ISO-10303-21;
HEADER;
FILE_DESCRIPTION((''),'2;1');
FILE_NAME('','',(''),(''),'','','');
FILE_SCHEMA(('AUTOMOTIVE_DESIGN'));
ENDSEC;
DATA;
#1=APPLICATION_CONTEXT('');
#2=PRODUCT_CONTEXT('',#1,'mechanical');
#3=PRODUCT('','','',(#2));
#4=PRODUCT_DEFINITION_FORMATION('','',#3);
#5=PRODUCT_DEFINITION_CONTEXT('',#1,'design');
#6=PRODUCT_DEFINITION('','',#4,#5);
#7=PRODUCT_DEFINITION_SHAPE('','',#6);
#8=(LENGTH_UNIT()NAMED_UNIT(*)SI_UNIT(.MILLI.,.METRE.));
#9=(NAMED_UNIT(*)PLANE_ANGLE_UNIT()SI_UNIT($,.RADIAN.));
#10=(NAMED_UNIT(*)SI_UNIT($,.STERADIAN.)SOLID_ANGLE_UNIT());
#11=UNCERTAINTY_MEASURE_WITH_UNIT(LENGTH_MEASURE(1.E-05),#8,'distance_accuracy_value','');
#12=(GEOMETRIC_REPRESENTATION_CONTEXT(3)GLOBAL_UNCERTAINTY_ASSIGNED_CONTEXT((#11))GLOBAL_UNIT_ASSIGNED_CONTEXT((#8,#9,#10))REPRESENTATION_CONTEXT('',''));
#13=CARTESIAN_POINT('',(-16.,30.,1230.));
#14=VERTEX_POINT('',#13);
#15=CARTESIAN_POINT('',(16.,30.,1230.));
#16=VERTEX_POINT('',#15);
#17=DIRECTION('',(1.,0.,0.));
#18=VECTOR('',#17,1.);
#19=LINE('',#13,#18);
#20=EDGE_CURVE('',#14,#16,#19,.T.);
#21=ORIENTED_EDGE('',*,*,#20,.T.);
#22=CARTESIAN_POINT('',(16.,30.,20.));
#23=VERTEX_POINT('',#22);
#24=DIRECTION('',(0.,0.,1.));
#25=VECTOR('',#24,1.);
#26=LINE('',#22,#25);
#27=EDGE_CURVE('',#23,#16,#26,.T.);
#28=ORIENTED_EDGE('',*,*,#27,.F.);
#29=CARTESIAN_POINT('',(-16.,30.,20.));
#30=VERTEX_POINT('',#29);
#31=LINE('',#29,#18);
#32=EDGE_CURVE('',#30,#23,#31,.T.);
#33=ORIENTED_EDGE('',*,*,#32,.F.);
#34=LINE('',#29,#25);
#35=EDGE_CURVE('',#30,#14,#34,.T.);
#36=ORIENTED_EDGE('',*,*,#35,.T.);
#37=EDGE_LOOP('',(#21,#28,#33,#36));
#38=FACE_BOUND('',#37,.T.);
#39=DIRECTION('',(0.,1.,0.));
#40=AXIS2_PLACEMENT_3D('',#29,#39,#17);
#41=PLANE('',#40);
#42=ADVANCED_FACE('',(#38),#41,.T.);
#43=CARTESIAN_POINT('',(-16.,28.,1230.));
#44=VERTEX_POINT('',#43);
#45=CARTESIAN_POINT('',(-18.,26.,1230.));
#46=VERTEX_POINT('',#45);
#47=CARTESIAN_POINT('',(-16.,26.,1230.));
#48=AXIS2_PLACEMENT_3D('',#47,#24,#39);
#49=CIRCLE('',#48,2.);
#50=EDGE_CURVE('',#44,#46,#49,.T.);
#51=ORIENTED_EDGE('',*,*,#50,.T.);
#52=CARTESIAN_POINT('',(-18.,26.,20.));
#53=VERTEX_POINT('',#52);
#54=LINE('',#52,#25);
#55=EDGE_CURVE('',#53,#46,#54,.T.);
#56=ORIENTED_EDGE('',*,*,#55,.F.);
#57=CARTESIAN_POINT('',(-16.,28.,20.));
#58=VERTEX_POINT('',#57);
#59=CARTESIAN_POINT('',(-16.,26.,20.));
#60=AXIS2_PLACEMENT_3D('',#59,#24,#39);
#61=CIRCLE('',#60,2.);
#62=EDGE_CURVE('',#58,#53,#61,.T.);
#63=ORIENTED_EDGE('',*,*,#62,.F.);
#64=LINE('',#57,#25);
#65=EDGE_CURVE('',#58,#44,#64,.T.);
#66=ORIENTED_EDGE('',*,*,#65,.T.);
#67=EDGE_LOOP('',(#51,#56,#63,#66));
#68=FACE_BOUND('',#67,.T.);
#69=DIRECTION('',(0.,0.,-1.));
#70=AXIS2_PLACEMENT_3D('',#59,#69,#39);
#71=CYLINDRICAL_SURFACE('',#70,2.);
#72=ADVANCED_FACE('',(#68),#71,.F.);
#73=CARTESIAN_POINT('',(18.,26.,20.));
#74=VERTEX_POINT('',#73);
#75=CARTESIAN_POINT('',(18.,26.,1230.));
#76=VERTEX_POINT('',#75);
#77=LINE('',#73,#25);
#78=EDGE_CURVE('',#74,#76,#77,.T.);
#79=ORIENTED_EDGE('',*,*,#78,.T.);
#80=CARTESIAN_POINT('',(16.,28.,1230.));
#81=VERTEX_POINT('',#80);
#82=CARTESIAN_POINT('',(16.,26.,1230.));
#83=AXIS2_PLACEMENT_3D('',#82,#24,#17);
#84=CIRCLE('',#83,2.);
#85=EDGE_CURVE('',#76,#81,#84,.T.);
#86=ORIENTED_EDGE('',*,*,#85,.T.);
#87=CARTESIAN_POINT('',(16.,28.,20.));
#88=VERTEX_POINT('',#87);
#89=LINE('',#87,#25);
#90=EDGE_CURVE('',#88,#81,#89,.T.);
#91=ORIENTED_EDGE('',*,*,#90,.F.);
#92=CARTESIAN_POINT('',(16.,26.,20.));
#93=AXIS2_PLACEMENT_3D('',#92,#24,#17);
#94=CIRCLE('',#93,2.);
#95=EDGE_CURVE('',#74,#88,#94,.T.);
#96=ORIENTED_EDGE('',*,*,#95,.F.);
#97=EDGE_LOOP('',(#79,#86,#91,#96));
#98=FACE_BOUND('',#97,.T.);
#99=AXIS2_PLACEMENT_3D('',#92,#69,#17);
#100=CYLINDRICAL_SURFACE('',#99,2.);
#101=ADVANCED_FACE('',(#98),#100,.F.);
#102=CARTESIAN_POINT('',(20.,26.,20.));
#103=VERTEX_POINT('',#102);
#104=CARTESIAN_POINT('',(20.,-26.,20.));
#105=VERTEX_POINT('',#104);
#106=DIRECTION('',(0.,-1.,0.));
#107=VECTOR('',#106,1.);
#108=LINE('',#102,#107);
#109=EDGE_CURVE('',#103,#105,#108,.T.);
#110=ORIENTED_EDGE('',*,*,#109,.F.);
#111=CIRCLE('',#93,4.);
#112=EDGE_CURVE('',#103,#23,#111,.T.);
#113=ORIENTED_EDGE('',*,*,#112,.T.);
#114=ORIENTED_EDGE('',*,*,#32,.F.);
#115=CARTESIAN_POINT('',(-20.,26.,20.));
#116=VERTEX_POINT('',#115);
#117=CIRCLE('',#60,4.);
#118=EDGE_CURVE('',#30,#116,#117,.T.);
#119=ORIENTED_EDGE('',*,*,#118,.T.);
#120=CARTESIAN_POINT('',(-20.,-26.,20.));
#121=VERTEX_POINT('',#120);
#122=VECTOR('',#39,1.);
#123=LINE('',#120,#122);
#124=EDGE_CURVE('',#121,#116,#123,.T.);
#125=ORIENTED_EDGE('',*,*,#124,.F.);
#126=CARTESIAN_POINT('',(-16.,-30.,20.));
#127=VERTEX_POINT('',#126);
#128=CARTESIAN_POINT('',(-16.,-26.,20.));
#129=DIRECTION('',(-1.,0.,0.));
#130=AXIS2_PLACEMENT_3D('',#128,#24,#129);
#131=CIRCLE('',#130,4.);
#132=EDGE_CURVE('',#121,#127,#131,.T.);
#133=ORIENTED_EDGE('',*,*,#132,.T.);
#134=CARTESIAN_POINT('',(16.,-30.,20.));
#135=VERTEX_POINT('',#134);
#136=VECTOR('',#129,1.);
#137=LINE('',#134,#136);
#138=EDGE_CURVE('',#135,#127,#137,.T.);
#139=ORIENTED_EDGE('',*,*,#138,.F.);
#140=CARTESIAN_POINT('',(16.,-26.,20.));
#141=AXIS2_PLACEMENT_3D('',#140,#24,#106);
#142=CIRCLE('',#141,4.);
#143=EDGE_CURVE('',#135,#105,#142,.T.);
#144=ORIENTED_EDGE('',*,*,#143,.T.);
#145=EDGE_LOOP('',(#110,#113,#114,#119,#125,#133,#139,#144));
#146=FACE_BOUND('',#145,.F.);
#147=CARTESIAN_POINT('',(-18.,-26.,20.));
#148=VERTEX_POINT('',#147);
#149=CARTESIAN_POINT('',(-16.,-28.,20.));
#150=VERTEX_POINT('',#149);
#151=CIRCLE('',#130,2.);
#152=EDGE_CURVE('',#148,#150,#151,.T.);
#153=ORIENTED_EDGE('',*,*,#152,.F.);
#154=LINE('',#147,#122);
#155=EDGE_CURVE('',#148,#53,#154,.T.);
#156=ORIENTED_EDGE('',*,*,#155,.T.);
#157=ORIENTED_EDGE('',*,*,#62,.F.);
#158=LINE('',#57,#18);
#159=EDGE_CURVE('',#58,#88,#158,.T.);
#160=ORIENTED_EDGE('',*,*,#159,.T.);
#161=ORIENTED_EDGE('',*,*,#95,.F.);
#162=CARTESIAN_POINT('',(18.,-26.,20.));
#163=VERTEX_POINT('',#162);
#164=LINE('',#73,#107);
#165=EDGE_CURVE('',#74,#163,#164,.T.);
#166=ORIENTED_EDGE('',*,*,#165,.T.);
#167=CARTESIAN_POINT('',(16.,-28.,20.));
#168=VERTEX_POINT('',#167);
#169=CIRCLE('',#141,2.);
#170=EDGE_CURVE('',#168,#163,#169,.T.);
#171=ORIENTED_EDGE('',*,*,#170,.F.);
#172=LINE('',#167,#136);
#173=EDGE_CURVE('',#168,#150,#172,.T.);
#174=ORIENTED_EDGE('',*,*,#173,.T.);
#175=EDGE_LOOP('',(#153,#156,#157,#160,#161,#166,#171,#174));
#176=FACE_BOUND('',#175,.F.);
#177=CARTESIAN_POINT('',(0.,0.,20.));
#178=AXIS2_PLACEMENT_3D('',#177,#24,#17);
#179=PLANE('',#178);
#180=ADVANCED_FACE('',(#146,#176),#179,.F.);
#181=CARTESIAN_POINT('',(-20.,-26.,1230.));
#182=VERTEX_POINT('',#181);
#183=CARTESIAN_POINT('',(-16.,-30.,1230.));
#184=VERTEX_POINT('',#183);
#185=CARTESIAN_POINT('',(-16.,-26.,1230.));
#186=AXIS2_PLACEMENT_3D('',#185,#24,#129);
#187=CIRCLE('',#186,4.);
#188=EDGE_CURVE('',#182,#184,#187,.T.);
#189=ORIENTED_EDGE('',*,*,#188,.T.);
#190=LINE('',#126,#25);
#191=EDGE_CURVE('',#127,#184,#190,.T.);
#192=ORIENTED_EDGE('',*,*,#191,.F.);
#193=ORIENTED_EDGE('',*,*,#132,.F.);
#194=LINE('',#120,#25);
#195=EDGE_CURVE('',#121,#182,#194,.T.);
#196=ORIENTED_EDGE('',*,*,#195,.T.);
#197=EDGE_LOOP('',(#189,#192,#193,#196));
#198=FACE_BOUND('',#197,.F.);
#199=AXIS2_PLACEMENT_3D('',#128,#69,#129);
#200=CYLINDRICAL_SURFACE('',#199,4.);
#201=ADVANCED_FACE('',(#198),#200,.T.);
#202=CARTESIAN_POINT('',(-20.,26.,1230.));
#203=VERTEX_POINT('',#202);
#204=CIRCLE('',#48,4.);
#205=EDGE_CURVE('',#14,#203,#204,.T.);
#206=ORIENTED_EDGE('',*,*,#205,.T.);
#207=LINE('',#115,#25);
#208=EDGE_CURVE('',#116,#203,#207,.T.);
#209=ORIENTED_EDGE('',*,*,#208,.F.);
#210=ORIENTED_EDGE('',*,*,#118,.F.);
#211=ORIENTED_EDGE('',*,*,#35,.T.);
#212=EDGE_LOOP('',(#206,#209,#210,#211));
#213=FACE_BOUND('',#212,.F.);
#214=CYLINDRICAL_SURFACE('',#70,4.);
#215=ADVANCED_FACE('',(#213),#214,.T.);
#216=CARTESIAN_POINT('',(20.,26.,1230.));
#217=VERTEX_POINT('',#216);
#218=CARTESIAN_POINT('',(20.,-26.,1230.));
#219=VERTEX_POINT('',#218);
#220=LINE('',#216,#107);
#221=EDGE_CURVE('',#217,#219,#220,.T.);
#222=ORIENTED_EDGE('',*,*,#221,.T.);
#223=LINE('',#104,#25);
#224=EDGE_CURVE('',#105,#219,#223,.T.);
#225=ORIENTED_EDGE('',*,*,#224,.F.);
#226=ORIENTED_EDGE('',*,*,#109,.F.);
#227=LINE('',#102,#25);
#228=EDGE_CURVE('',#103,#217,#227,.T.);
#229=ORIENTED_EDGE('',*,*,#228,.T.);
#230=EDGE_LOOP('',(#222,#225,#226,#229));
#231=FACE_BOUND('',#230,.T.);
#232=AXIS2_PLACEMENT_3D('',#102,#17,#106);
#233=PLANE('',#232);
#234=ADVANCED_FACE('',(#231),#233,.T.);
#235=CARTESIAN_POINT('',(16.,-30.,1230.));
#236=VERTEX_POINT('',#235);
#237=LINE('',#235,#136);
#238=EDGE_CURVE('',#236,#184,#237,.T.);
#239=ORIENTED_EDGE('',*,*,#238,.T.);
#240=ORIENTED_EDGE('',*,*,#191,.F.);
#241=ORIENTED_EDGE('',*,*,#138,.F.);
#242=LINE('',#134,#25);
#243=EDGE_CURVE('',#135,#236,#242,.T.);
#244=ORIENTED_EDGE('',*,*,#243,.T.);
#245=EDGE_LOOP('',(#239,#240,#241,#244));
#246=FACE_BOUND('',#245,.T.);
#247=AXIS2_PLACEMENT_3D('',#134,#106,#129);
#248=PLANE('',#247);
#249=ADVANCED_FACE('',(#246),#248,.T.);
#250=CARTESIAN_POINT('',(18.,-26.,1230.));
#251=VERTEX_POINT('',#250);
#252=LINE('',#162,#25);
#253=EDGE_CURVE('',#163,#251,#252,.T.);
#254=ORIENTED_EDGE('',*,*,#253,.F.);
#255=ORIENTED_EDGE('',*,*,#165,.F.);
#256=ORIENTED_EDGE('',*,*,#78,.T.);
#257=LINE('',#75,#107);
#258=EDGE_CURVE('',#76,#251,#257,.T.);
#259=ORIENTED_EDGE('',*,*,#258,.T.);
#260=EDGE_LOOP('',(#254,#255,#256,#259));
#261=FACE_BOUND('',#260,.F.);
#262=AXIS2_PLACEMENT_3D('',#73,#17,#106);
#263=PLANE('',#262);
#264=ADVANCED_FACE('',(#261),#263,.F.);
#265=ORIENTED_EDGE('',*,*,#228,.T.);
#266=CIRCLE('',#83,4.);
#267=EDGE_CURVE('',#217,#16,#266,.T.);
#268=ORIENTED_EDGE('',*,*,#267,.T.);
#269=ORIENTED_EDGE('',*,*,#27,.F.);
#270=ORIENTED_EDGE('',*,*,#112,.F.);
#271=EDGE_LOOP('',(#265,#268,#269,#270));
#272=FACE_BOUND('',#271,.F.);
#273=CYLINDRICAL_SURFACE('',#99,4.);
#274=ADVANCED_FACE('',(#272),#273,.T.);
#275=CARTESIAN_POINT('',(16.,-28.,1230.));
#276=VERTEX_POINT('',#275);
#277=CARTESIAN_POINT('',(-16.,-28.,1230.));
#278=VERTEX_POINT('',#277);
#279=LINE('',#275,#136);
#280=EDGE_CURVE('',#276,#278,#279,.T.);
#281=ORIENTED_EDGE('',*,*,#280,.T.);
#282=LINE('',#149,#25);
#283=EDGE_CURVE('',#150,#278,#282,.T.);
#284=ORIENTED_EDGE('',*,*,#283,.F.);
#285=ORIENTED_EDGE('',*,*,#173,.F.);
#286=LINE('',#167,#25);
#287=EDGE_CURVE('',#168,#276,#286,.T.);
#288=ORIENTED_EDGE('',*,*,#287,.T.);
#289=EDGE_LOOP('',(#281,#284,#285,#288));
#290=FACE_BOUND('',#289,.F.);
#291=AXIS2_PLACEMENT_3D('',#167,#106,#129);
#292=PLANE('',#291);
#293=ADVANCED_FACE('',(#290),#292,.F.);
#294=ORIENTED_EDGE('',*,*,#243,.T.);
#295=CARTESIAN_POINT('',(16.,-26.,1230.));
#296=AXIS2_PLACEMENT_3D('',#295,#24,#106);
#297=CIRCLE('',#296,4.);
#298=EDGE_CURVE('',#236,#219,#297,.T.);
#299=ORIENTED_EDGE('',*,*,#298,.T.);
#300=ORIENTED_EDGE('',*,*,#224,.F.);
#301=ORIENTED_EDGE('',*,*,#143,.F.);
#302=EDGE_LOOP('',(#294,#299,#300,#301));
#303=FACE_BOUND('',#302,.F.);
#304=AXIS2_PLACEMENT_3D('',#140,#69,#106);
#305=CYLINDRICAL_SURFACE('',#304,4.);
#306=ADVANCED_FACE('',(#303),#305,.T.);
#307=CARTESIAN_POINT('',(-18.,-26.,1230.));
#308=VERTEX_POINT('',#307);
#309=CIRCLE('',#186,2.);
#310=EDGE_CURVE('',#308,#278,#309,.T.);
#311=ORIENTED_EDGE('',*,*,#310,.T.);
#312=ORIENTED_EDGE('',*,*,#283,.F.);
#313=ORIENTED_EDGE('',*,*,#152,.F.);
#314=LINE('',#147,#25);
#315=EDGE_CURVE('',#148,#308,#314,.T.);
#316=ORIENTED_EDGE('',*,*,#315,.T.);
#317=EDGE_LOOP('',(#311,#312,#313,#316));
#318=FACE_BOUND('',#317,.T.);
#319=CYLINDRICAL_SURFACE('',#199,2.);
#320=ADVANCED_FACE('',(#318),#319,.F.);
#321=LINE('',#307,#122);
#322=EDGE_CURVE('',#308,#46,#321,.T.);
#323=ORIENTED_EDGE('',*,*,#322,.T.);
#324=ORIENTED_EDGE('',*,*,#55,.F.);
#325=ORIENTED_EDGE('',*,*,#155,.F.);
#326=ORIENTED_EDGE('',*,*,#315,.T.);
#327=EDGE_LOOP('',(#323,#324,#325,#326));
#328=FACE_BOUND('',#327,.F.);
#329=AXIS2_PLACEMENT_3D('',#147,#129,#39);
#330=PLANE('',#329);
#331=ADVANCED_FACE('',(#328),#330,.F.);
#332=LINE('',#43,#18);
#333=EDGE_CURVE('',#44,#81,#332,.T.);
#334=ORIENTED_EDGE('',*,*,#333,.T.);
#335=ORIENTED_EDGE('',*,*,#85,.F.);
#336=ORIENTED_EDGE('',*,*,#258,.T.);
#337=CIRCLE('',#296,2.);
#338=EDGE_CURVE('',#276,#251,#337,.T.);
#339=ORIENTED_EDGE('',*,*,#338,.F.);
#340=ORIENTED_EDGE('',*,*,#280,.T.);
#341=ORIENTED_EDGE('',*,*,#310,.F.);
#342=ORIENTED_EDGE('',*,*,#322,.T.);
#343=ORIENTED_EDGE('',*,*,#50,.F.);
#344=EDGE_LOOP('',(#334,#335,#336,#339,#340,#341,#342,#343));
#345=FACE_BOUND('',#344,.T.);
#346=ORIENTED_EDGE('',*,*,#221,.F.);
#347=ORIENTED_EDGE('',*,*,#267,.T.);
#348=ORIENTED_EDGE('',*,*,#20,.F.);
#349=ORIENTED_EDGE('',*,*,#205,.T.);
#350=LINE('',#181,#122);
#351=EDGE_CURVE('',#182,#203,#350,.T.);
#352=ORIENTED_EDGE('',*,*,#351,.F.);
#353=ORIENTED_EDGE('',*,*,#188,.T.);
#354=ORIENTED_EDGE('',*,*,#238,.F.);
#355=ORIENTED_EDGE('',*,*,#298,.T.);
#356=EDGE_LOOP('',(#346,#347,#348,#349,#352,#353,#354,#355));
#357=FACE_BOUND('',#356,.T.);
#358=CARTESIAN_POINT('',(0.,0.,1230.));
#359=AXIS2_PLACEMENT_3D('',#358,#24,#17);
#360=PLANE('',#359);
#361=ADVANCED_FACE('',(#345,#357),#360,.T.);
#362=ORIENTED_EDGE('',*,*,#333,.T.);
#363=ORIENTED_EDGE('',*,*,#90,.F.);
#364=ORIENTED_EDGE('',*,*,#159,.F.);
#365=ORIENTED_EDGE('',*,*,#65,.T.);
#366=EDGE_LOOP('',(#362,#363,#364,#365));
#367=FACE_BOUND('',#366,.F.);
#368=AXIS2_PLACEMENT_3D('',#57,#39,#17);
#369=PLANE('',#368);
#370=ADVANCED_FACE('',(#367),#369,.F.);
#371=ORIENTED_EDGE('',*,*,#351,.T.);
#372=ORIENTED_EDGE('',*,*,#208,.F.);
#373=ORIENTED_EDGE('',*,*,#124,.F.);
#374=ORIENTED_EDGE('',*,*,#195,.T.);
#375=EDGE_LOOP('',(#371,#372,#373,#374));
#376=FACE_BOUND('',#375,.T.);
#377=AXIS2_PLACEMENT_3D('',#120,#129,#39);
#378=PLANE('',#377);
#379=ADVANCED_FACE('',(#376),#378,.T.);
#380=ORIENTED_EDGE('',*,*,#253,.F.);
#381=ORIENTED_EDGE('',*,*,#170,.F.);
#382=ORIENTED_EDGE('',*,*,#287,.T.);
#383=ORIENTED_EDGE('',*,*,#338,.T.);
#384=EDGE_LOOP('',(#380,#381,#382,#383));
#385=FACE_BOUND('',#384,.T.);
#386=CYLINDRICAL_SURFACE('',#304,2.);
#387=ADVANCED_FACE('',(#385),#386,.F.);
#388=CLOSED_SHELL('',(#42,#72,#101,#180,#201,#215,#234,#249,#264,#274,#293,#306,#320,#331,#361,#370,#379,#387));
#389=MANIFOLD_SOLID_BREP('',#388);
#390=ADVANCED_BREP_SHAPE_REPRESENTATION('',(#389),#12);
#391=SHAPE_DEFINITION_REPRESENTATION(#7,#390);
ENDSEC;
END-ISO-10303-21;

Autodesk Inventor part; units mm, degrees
ref_plane "YZ Plane" through (0, 0, 0) normal (1, 0, 0) x (0, 1, 0)
ref_plane "Start Plane" through (0, 0, 20) normal (0, 0, 1) x (1, 0, 0)
ref_plane "End Plane" through (0, 0, 1230) normal (0, 0, 1) x (1, 0, 0)
sketch "Sketch" plane through (0, 0, 0) normal (0, 0, 1) x (1, 0, 0)
  line L0 (-20, -26) -> (-20, 26)
  line L1 (-16, 30) -> (16, 30)
  line L2 (20, 26) -> (20, -26)
  line L3 (16, -30) -> (-16, -30)
  arc A0 (-20, -26) -> (-16, -30) centre (-16, -26) ccw
  arc A1 (20, 26) -> (16, 30) centre (16, 26) ccw
  arc A2 (-16, 30) -> (-20, 26) centre (-16, 26) ccw
  arc A3 (16, -30) -> (20, -26) centre (16, -26) ccw
  arc A4 (-16, 28) -> (-18, 26) centre (-16, 26) ccw
  line L4 (-16, 28) -> (16, 28)
  arc A5 (18, 26) -> (16, 28) centre (16, 26) ccw
  line L5 (18, 26) -> (18, -26)
  arc A6 (16, -28) -> (18, -26) centre (16, -26) ccw
  line L6 (16, -28) -> (-16, -28)
  arc A7 (-18, -26) -> (-16, -28) centre (-16, -26) ccw
  line L7 (-18, -26) -> (-18, 26)
  line L8 (0, 43.1598) -> (0, -43.1598) construction
  line L9 (-29.1598, 0) -> (29.1598, 0) construction
  dimension "d7" = 4
  dimension "d9" = 40
  dimension "d11" = 60
  dimension "d12" = 2
  dimension "d15" = 20
  dimension "d16" = 30
extrude "Body" add sketch "Sketch" along normal up to surface (1210 mm away) from surface at 20
sketch "Sketch3" plane through (0, 0, 0) normal (0, 0, 1) x (1, 0, 0)
  line L0 (0, 0) -> (10, 0)
ref_plane "Work Plane3" through (0, 0, 0) normal (0, -1, 0) x (1, 0, 0)
sketch "Sketch4" plane through (0, 0, 0) normal (0, -1, 0) x (1, 0, 0)
  line L0 (-2, 20) -> (12, 20) projected
  line L1 (-2, 1230) -> (12, 1230) projected
  dimension "d18" = 1210
equation "\"d7\" = G_IR"
equation "\"d9\" = G_W"
equation "\"d11\" = G_H"
equation "\"d12\" = G_T"
equation "\"d15\" = 0.5 * d9"
equation "\"d16\" = 0.5 * d11"
equation "\"d3\" = G_L"
equation "\"G_W\" = 40"
equation "\"G_H\" = 60"
equation "\"G_T\" = 2"
equation "\"G_IR\" = 4"
equation "\"G_L\" = d18"
properties part number "ISO 10799-2 - 60x40x2 - 1210" material "Steel, Mild"
